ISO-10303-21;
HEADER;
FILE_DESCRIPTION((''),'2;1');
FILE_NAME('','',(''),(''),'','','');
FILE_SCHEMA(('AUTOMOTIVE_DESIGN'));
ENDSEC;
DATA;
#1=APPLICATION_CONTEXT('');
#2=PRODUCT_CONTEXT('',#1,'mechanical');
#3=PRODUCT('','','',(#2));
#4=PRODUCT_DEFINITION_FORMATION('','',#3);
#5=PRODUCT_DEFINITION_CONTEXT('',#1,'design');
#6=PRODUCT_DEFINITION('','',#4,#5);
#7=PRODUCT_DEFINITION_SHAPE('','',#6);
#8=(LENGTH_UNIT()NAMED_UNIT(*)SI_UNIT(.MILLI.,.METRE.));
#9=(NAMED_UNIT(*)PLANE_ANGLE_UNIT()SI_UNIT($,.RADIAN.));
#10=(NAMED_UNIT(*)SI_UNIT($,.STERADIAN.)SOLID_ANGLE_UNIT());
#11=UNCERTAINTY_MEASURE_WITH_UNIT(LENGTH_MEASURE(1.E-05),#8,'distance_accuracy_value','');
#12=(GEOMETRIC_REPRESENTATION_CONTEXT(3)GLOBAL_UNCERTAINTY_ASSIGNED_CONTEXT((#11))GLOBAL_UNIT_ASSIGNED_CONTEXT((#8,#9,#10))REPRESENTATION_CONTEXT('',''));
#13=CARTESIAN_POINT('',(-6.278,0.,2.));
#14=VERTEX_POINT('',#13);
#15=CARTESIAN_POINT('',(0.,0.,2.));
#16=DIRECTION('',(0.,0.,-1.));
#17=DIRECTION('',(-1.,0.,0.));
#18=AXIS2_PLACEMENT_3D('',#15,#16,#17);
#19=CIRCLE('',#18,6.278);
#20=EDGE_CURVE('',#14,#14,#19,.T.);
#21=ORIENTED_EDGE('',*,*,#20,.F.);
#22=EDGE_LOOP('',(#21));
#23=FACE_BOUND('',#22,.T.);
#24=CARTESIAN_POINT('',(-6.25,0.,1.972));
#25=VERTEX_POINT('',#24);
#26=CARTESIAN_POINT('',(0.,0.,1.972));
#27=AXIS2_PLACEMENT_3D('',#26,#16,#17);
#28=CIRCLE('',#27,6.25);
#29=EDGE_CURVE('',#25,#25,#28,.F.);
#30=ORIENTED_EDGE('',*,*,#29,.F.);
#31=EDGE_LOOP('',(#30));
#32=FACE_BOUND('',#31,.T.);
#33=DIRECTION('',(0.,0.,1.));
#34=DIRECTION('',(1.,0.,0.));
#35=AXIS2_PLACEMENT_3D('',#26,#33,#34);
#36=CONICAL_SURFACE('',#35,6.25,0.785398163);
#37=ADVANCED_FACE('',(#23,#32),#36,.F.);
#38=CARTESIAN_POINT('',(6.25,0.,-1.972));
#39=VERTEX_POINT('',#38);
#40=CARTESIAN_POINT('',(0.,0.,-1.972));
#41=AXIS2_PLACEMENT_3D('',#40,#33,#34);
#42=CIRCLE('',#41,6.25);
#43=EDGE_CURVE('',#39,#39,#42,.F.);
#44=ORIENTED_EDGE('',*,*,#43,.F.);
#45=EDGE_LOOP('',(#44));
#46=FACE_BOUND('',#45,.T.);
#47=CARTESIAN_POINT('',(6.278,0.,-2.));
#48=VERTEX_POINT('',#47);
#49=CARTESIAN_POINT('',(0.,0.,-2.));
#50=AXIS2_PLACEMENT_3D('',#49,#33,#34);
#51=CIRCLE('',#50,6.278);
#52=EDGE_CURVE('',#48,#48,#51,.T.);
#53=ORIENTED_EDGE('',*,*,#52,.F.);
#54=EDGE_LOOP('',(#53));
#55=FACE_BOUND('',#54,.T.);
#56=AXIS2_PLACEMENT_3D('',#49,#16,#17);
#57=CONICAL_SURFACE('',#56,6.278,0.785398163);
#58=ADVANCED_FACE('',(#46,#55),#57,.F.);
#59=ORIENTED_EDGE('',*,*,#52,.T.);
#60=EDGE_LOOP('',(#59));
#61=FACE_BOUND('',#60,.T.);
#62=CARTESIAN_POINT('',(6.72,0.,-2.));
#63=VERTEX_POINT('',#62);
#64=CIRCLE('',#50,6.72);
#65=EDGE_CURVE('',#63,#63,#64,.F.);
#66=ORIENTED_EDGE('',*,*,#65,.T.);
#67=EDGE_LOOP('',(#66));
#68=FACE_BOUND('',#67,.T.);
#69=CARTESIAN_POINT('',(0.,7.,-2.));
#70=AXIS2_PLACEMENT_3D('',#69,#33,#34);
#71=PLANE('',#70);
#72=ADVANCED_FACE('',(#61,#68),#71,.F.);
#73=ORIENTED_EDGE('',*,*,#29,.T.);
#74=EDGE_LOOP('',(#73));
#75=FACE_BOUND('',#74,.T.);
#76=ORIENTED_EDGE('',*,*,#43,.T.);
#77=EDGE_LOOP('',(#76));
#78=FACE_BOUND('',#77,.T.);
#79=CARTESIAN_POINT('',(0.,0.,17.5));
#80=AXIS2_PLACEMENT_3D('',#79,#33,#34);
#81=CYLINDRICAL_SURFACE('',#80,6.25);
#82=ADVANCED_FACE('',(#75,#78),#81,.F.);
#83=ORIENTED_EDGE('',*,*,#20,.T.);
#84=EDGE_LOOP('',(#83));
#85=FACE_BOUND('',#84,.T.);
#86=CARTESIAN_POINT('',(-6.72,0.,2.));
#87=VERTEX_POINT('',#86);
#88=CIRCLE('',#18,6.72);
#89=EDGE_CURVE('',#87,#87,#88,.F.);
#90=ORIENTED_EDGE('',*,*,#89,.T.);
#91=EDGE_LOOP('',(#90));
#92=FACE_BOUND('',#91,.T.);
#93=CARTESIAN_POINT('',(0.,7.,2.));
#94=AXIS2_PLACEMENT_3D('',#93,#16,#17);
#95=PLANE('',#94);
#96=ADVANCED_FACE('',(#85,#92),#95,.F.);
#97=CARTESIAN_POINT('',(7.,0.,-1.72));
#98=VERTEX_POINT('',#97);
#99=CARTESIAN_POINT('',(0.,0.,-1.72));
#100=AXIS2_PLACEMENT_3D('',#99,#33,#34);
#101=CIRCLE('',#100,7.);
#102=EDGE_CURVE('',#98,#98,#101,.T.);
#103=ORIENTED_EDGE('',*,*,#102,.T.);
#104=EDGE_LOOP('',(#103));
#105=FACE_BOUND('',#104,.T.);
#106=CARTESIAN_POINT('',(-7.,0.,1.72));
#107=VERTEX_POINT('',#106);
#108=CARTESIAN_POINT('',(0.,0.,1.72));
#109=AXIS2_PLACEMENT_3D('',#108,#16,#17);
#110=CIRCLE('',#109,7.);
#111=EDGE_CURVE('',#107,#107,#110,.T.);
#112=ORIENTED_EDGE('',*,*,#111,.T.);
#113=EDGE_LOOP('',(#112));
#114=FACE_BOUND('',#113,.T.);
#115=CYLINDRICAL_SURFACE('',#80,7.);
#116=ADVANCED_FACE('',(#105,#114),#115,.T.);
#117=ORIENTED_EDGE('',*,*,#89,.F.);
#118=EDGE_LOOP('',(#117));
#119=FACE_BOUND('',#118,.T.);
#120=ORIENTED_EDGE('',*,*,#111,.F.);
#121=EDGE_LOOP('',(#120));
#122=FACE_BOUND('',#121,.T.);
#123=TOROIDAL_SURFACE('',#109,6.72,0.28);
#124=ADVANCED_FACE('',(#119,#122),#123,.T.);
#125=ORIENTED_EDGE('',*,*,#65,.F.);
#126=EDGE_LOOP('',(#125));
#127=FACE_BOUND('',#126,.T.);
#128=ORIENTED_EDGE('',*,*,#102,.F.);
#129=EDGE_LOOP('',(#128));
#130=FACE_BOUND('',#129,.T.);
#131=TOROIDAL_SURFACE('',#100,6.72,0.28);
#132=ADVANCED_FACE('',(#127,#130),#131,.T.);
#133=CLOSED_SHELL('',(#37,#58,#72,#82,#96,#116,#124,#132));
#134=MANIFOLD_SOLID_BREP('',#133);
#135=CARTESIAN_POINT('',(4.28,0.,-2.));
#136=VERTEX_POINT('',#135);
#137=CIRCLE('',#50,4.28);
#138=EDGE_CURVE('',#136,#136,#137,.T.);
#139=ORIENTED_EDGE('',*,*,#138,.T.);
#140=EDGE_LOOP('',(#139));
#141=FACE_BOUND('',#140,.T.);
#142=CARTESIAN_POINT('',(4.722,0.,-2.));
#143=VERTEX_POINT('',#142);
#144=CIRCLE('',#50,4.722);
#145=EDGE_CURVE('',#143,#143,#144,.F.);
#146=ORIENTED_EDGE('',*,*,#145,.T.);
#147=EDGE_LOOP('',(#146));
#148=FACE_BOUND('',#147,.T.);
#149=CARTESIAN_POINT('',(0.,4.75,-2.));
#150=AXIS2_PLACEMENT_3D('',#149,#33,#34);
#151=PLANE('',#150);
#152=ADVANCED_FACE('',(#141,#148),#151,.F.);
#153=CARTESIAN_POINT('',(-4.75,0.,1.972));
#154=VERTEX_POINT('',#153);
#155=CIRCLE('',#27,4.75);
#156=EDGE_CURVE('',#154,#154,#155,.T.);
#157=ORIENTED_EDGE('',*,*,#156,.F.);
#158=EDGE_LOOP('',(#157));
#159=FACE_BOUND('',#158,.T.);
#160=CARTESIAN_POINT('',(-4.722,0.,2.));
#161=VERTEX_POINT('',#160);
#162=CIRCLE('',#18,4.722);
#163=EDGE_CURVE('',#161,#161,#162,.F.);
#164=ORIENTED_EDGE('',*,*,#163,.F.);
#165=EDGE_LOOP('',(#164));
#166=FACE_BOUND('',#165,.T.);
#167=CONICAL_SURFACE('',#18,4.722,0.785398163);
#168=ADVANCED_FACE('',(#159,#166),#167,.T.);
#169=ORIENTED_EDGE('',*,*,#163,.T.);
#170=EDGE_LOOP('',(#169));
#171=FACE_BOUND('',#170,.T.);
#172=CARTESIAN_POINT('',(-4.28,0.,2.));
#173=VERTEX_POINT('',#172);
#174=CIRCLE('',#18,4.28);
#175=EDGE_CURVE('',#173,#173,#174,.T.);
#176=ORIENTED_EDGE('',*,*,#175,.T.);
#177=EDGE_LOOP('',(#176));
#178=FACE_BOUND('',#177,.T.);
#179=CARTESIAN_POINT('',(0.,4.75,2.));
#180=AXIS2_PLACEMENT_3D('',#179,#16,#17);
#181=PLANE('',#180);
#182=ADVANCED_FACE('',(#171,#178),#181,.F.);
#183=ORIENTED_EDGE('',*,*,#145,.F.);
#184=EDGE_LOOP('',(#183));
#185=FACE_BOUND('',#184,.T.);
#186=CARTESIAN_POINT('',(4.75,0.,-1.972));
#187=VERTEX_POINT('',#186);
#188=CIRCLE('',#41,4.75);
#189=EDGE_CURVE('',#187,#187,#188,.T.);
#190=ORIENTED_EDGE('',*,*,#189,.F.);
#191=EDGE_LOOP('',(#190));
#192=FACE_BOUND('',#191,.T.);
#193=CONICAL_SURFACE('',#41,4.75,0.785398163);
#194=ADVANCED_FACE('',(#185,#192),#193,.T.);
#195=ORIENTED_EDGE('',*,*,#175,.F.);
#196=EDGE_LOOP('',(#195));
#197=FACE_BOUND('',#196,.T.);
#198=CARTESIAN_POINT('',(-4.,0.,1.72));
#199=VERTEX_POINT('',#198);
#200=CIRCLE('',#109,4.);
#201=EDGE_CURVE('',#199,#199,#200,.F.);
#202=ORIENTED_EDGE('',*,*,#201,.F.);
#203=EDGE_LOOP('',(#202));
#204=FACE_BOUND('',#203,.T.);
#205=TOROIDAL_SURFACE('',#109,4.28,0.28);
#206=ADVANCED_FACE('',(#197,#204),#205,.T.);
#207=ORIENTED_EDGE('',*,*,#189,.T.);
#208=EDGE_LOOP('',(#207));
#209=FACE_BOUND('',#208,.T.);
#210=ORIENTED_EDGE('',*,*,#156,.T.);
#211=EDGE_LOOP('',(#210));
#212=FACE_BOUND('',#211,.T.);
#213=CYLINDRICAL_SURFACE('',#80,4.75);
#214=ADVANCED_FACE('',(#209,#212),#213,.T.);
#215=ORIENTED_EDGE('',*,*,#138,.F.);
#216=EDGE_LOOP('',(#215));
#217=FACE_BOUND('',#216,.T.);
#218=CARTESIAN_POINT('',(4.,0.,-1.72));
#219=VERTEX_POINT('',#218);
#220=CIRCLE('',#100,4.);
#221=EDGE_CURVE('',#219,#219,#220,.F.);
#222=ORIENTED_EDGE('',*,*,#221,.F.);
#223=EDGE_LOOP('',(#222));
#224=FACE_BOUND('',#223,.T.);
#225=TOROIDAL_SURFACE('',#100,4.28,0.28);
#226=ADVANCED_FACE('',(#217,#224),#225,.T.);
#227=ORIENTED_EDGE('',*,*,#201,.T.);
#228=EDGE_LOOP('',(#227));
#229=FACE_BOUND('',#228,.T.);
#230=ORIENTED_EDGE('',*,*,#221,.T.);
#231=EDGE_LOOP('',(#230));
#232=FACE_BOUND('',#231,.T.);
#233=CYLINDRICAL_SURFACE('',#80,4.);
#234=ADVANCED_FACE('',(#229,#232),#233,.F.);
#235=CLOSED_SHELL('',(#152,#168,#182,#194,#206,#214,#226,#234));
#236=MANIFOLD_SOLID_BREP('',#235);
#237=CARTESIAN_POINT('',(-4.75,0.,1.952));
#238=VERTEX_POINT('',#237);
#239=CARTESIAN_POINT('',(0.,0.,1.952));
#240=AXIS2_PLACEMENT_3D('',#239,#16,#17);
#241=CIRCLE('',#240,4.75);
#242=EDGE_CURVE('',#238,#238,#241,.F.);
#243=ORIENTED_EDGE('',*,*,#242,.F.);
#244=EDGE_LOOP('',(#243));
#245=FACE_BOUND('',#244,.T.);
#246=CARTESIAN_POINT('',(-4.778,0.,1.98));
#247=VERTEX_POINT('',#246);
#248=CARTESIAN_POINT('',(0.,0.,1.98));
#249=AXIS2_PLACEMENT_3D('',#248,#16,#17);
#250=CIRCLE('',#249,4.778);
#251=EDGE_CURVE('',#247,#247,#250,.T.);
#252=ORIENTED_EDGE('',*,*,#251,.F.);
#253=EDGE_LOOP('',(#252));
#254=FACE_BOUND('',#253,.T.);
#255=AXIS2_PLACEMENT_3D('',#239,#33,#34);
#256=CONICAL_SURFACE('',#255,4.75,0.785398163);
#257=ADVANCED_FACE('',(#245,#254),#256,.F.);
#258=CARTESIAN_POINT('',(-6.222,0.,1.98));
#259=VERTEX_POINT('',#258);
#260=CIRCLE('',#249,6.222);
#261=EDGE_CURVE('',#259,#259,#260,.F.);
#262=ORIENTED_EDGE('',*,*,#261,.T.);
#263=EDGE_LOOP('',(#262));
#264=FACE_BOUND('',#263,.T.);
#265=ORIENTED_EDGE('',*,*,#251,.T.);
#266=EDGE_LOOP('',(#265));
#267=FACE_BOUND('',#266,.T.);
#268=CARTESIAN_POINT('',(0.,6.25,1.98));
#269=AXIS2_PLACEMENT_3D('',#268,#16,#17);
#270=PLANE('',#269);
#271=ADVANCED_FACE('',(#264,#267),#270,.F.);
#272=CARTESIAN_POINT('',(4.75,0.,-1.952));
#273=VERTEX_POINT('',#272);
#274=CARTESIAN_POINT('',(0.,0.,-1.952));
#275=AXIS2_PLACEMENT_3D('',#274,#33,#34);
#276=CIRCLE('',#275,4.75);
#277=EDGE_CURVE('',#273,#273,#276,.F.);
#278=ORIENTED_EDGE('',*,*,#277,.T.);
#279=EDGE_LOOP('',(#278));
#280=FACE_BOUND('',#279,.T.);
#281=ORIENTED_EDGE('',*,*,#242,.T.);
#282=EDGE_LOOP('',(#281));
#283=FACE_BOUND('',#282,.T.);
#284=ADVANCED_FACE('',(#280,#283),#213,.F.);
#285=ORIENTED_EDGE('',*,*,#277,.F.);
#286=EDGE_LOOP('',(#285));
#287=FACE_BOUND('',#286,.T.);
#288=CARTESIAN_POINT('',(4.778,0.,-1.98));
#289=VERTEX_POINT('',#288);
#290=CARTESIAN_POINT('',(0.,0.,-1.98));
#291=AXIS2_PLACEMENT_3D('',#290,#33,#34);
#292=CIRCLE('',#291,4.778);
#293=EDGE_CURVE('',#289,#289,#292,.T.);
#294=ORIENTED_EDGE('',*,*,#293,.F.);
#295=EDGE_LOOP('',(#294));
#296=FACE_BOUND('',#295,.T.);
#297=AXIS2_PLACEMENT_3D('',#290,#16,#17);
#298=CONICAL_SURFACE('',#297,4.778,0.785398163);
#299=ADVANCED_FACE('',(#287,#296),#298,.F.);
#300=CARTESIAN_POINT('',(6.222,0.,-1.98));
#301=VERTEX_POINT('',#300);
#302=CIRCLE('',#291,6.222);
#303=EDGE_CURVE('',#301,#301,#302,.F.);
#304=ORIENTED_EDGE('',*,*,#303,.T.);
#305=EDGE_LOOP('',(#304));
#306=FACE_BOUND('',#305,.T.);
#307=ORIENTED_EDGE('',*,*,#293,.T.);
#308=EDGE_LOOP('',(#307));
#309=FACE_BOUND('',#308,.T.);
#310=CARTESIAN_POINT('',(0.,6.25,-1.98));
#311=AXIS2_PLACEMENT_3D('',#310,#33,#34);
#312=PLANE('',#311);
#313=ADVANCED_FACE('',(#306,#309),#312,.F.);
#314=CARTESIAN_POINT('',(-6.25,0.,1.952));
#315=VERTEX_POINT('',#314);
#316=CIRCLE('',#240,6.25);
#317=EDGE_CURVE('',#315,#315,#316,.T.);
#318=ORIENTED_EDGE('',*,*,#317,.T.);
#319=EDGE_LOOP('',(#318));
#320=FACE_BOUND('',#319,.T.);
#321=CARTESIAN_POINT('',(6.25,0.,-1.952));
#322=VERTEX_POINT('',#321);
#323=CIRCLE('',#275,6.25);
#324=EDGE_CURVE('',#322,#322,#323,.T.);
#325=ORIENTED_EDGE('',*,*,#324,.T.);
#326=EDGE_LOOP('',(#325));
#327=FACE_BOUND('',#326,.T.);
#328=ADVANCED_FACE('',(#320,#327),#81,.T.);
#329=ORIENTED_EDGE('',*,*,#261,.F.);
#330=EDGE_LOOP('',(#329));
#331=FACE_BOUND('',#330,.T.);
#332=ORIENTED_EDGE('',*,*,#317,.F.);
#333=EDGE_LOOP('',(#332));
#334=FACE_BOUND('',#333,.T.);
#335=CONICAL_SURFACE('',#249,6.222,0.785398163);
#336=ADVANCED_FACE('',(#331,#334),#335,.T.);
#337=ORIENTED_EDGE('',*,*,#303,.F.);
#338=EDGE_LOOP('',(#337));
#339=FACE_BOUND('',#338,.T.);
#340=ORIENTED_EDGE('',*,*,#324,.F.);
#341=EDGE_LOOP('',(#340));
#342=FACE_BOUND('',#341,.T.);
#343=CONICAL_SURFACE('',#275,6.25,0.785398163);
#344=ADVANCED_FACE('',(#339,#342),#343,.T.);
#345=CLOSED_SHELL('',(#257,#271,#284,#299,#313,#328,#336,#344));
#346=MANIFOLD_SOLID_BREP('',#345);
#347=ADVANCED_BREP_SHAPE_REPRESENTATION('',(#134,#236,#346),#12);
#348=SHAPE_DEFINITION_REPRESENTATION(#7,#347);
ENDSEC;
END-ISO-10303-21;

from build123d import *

# Parameters (mm, degrees)
SKETCH_R_INNER_BODY_W   = 4
SKETCH_R_INNER_BODY_H   = 0.75
FILLET_INNER_BODY_R     = 0.28
CHAMFER_INNER_BODY_SIZE = 0.028
SKETCH_R_OUTER_BODY_W   = 4
SKETCH_R_OUTER_BODY_H   = 0.75
FILLET_OUTER_BODY_R     = 0.28
CHAMFER_OUTER_BODY_SIZE = 0.028
SKETCH_R_SEAL_FACES_W   = 3.96
SKETCH_R_SEAL_FACES_H   = 1.5
CHAMFER_SEALS_SIZE      = 0.028


with BuildPart() as part:
    # Sketch R, INNER BODY → Revolve INNER BODY (revolve)
    with BuildSketch(Plane(origin=(0, 0, 0), x_dir=(0, 0, -1), z_dir=(1, 0, 0))):
        with Locations((0, 4.375)):
            Rectangle(SKETCH_R_INNER_BODY_W, SKETCH_R_INNER_BODY_H)
    revolve(axis=Axis((0, 0, 17.5), (0, 0, -1)))

    # Fillet INNER BODY
    fillet_inner_body_edges = [part.edges().sort_by_distance(p)[0] for p in [
        (0, -4, -2),
        (0, -4, 2),
    ]]
    fillet(fillet_inner_body_edges, radius=FILLET_INNER_BODY_R)

    # Chamfer INNER BODY
    chamfer_inner_body_edges = [part.edges().sort_by_distance(p)[0] for p in [
        (0, -4.75, 2),
        (0, -4.75, -2),
    ]]
    chamfer(chamfer_inner_body_edges, length=CHAMFER_INNER_BODY_SIZE)


with BuildPart() as body_2:
    # Sketch R, OUTER BODY → Revolve OUTER BODY (revolve)
    with BuildSketch(Plane(origin=(0, 0, 0), x_dir=(0, 0, -1), z_dir=(1, 0, 0))):
        with Locations((0, 6.625)):
            Rectangle(SKETCH_R_OUTER_BODY_W, SKETCH_R_OUTER_BODY_H)
    revolve(axis=Axis((0, 0, 17.5), (0, 0, -1)))

    # Fillet OUTER BODY
    fillet_outer_body_edges = [body_2.edges().sort_by_distance(p)[0] for p in [
        (0, -7, 2),
        (0, -7, -2),
    ]]
    fillet(fillet_outer_body_edges, radius=FILLET_OUTER_BODY_R)

    # Chamfer OUTER BODY
    chamfer_outer_body_edges = [body_2.edges().sort_by_distance(p)[0] for p in [
        (0, -6.25, -2),
        (0, -6.25, 2),
    ]]
    chamfer(chamfer_outer_body_edges, length=CHAMFER_OUTER_BODY_SIZE)


with BuildPart() as body_3:
    # Sketch R, SEAL FACES → Revolve SEALS (revolve)
    with BuildSketch(Plane(origin=(0, 0, 0), x_dir=(0, 0, -1), z_dir=(1, 0, 0))):
        with Locations((0, 5.5)):
            Rectangle(SKETCH_R_SEAL_FACES_W, SKETCH_R_SEAL_FACES_H)
    revolve(axis=Axis((0, 0, 17.5), (0, 0, -1)))

    # Chamfer SEALS
    chamfer_seals_edges = [body_3.edges().sort_by_distance(p)[0] for p in [
        (0, -4.75, -1.98),
        (0, -4.75, 1.98),
        (0, -6.25, 1.98),
        (0, -6.25, -1.98),
    ]]
    chamfer(chamfer_seals_edges, length=CHAMFER_SEALS_SIZE)


solid = Compound([part.part, body_2.part, body_3.part])
